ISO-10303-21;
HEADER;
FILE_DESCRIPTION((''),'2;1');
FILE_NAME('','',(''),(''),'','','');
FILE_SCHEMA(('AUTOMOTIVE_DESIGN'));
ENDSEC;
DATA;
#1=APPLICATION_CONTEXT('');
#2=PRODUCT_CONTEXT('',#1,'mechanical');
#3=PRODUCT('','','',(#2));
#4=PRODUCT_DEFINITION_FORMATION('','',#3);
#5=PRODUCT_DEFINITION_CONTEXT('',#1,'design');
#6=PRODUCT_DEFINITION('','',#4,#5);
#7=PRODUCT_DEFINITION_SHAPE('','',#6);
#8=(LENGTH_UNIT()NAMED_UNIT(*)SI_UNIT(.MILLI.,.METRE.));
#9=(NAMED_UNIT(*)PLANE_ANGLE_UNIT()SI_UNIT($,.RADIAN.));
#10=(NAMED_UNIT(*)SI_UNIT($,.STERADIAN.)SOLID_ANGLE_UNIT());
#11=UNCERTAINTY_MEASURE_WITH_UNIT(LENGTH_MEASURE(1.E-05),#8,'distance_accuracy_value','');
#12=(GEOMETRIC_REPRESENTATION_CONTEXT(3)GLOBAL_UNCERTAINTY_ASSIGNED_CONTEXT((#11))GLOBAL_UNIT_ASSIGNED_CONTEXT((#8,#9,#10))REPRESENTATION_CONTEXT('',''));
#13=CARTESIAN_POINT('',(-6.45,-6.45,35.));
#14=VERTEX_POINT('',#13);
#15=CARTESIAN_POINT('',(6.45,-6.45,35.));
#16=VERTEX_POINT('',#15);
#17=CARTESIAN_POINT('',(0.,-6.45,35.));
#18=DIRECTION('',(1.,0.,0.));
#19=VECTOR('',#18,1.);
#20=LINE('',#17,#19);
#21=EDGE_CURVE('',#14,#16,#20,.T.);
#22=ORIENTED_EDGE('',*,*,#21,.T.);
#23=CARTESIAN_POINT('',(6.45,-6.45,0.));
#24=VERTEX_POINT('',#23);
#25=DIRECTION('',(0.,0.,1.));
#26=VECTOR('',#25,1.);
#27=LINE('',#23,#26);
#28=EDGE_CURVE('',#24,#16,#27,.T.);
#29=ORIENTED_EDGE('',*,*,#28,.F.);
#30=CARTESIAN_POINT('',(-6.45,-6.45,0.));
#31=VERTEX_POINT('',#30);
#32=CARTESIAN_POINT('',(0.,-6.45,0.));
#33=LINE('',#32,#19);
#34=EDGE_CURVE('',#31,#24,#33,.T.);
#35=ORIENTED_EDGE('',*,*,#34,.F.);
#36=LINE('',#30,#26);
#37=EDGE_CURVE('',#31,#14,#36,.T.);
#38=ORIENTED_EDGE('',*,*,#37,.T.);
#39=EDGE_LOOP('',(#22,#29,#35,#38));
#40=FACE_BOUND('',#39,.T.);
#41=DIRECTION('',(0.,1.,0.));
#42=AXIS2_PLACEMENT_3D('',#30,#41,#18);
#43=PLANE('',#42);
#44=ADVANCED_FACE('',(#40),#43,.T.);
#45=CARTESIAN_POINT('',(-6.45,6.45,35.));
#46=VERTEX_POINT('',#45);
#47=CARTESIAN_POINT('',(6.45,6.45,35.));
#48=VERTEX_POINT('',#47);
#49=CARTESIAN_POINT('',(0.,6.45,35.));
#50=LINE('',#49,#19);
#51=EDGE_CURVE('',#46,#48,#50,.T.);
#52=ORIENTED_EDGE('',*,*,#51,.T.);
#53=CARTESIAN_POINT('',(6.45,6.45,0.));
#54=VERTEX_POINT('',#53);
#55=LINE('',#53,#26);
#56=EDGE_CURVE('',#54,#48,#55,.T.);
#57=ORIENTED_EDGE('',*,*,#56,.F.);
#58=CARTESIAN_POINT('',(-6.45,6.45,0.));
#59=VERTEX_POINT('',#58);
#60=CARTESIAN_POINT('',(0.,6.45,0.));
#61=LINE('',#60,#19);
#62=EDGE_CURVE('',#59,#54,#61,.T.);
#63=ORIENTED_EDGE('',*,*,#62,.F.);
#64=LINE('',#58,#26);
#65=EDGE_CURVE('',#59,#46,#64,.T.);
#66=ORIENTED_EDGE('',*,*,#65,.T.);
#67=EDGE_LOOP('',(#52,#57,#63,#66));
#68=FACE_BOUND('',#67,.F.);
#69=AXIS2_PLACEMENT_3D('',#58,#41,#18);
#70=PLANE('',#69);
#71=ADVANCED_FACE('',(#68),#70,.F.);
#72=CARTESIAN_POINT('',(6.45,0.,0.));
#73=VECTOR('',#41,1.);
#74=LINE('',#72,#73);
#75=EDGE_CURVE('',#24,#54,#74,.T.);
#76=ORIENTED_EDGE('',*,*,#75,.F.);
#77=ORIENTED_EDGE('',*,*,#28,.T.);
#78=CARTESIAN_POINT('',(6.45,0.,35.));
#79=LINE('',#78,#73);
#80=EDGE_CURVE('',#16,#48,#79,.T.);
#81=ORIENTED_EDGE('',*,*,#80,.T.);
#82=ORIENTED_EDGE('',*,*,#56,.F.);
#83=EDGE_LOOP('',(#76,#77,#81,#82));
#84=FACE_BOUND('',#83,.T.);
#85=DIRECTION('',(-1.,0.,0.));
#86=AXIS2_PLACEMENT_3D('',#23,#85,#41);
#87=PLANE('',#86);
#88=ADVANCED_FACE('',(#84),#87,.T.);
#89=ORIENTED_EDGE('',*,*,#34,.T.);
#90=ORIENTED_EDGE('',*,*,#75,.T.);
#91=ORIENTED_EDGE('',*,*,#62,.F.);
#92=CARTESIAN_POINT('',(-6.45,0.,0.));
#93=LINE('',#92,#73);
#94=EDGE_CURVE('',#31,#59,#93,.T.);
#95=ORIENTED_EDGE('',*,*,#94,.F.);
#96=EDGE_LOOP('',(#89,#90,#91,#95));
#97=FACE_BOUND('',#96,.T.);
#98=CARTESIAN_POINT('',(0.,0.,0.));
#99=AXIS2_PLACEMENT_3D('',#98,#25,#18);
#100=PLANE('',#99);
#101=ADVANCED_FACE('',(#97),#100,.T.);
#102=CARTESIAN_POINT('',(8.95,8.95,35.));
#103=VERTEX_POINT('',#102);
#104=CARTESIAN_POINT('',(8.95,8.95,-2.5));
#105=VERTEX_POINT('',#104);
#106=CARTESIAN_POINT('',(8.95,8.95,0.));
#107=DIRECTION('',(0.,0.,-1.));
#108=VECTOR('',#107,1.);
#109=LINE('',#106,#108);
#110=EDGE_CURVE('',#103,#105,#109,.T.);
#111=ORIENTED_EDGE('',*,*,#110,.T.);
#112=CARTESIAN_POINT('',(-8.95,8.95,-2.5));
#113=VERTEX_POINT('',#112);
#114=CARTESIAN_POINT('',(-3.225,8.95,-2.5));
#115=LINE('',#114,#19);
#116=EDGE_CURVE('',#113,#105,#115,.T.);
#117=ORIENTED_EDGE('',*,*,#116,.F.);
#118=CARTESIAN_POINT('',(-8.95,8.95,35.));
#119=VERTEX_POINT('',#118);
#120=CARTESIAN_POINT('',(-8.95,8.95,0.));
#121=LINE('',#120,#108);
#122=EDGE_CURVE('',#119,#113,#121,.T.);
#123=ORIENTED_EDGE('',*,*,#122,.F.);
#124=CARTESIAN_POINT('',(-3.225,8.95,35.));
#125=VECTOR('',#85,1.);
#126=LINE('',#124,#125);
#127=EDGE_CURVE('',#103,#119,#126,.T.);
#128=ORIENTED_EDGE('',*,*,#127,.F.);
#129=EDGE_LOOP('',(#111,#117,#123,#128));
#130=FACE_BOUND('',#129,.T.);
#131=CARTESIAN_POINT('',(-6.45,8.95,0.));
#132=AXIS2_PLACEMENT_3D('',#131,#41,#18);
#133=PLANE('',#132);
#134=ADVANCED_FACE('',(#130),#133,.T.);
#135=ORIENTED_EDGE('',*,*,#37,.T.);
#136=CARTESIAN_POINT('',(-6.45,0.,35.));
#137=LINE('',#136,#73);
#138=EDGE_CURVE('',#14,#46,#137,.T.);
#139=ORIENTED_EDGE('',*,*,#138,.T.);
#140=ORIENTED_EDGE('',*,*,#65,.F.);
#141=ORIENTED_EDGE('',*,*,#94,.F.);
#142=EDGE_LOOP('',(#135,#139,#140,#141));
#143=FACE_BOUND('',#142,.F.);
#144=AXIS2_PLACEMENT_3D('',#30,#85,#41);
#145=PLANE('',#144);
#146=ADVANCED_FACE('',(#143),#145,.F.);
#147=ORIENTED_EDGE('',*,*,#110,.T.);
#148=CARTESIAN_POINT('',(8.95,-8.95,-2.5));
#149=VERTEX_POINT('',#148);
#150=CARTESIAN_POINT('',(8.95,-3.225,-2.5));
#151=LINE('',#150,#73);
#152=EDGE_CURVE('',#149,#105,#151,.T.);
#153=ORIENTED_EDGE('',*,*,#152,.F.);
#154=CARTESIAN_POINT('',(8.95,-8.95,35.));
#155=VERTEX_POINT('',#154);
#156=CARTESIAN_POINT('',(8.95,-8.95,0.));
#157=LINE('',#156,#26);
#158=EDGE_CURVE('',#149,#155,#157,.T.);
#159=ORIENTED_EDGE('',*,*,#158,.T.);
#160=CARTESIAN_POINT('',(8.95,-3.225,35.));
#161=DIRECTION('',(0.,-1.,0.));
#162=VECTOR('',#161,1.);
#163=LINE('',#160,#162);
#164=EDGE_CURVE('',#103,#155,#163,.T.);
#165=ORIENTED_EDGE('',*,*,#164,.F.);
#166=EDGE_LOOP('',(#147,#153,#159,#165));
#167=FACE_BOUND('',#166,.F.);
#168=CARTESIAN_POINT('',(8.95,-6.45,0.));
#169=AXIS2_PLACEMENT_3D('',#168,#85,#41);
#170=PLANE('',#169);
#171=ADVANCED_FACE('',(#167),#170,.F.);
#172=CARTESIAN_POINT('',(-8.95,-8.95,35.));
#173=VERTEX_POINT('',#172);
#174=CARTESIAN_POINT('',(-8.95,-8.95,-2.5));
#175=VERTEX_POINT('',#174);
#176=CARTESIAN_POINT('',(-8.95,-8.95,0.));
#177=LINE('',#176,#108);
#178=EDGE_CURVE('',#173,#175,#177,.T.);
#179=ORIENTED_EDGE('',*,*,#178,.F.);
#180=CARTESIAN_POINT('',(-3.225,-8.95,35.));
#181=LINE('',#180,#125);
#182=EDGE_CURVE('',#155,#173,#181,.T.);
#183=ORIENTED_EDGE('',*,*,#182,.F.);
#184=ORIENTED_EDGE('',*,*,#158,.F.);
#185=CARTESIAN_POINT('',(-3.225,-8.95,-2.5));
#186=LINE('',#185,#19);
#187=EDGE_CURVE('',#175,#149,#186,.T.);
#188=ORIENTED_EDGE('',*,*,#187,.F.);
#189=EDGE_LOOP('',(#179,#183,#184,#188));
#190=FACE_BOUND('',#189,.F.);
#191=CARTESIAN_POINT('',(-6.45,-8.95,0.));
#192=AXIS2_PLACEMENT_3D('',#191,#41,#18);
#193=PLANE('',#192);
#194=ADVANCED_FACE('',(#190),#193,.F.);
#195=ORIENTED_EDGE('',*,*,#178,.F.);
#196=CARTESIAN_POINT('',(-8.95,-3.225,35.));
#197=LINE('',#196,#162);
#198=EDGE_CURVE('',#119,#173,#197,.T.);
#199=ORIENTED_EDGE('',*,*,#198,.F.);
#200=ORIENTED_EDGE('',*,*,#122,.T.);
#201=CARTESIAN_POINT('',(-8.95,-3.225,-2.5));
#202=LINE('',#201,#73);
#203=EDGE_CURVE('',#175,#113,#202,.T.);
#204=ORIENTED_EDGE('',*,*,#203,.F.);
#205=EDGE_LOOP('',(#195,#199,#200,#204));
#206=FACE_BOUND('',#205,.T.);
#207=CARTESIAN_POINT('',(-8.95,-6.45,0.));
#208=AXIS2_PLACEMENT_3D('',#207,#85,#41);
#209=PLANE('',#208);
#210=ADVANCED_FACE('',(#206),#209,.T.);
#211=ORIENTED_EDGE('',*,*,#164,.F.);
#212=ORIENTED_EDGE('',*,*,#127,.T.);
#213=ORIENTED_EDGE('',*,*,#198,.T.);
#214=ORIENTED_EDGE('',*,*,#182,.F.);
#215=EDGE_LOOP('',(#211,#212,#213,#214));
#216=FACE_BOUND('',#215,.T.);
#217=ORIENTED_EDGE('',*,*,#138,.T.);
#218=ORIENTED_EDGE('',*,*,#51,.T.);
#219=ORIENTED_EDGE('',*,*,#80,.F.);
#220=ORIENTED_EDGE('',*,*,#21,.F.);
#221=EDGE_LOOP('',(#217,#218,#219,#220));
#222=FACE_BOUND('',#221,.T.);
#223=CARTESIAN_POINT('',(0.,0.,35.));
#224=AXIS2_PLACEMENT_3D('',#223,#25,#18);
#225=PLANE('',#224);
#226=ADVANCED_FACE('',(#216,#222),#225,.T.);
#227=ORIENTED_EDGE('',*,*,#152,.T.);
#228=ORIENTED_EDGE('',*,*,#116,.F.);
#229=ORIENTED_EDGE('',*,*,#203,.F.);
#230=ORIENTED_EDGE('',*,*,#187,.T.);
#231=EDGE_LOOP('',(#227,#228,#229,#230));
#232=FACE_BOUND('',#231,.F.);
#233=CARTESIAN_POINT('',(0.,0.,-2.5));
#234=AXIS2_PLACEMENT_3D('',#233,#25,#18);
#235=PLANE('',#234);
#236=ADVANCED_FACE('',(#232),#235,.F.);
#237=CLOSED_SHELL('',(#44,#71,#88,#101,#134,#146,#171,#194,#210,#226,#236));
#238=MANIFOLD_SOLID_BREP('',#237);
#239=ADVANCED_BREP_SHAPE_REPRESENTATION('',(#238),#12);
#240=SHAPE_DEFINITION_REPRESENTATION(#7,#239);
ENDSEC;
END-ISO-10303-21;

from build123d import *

# Parameters (mm, degrees)
F0_W     = 12.9
F0_H     = 12.9
F1_DEPTH = 35
F2_T     = 2.5


with BuildPart() as f1:
    # F0 (on Top) → F1 (new body)
    with BuildSketch(Plane.XY):
        Rectangle(F0_W, F0_H)
    extrude(amount=F1_DEPTH)

    # F2
    f2_openings = [f1.faces().sort_by_distance(p)[0] for p in [
        (0, 0, 35),
    ]]
    offset(amount=F2_T, openings=f2_openings, kind=Kind.INTERSECTION)


solid = f1.part
